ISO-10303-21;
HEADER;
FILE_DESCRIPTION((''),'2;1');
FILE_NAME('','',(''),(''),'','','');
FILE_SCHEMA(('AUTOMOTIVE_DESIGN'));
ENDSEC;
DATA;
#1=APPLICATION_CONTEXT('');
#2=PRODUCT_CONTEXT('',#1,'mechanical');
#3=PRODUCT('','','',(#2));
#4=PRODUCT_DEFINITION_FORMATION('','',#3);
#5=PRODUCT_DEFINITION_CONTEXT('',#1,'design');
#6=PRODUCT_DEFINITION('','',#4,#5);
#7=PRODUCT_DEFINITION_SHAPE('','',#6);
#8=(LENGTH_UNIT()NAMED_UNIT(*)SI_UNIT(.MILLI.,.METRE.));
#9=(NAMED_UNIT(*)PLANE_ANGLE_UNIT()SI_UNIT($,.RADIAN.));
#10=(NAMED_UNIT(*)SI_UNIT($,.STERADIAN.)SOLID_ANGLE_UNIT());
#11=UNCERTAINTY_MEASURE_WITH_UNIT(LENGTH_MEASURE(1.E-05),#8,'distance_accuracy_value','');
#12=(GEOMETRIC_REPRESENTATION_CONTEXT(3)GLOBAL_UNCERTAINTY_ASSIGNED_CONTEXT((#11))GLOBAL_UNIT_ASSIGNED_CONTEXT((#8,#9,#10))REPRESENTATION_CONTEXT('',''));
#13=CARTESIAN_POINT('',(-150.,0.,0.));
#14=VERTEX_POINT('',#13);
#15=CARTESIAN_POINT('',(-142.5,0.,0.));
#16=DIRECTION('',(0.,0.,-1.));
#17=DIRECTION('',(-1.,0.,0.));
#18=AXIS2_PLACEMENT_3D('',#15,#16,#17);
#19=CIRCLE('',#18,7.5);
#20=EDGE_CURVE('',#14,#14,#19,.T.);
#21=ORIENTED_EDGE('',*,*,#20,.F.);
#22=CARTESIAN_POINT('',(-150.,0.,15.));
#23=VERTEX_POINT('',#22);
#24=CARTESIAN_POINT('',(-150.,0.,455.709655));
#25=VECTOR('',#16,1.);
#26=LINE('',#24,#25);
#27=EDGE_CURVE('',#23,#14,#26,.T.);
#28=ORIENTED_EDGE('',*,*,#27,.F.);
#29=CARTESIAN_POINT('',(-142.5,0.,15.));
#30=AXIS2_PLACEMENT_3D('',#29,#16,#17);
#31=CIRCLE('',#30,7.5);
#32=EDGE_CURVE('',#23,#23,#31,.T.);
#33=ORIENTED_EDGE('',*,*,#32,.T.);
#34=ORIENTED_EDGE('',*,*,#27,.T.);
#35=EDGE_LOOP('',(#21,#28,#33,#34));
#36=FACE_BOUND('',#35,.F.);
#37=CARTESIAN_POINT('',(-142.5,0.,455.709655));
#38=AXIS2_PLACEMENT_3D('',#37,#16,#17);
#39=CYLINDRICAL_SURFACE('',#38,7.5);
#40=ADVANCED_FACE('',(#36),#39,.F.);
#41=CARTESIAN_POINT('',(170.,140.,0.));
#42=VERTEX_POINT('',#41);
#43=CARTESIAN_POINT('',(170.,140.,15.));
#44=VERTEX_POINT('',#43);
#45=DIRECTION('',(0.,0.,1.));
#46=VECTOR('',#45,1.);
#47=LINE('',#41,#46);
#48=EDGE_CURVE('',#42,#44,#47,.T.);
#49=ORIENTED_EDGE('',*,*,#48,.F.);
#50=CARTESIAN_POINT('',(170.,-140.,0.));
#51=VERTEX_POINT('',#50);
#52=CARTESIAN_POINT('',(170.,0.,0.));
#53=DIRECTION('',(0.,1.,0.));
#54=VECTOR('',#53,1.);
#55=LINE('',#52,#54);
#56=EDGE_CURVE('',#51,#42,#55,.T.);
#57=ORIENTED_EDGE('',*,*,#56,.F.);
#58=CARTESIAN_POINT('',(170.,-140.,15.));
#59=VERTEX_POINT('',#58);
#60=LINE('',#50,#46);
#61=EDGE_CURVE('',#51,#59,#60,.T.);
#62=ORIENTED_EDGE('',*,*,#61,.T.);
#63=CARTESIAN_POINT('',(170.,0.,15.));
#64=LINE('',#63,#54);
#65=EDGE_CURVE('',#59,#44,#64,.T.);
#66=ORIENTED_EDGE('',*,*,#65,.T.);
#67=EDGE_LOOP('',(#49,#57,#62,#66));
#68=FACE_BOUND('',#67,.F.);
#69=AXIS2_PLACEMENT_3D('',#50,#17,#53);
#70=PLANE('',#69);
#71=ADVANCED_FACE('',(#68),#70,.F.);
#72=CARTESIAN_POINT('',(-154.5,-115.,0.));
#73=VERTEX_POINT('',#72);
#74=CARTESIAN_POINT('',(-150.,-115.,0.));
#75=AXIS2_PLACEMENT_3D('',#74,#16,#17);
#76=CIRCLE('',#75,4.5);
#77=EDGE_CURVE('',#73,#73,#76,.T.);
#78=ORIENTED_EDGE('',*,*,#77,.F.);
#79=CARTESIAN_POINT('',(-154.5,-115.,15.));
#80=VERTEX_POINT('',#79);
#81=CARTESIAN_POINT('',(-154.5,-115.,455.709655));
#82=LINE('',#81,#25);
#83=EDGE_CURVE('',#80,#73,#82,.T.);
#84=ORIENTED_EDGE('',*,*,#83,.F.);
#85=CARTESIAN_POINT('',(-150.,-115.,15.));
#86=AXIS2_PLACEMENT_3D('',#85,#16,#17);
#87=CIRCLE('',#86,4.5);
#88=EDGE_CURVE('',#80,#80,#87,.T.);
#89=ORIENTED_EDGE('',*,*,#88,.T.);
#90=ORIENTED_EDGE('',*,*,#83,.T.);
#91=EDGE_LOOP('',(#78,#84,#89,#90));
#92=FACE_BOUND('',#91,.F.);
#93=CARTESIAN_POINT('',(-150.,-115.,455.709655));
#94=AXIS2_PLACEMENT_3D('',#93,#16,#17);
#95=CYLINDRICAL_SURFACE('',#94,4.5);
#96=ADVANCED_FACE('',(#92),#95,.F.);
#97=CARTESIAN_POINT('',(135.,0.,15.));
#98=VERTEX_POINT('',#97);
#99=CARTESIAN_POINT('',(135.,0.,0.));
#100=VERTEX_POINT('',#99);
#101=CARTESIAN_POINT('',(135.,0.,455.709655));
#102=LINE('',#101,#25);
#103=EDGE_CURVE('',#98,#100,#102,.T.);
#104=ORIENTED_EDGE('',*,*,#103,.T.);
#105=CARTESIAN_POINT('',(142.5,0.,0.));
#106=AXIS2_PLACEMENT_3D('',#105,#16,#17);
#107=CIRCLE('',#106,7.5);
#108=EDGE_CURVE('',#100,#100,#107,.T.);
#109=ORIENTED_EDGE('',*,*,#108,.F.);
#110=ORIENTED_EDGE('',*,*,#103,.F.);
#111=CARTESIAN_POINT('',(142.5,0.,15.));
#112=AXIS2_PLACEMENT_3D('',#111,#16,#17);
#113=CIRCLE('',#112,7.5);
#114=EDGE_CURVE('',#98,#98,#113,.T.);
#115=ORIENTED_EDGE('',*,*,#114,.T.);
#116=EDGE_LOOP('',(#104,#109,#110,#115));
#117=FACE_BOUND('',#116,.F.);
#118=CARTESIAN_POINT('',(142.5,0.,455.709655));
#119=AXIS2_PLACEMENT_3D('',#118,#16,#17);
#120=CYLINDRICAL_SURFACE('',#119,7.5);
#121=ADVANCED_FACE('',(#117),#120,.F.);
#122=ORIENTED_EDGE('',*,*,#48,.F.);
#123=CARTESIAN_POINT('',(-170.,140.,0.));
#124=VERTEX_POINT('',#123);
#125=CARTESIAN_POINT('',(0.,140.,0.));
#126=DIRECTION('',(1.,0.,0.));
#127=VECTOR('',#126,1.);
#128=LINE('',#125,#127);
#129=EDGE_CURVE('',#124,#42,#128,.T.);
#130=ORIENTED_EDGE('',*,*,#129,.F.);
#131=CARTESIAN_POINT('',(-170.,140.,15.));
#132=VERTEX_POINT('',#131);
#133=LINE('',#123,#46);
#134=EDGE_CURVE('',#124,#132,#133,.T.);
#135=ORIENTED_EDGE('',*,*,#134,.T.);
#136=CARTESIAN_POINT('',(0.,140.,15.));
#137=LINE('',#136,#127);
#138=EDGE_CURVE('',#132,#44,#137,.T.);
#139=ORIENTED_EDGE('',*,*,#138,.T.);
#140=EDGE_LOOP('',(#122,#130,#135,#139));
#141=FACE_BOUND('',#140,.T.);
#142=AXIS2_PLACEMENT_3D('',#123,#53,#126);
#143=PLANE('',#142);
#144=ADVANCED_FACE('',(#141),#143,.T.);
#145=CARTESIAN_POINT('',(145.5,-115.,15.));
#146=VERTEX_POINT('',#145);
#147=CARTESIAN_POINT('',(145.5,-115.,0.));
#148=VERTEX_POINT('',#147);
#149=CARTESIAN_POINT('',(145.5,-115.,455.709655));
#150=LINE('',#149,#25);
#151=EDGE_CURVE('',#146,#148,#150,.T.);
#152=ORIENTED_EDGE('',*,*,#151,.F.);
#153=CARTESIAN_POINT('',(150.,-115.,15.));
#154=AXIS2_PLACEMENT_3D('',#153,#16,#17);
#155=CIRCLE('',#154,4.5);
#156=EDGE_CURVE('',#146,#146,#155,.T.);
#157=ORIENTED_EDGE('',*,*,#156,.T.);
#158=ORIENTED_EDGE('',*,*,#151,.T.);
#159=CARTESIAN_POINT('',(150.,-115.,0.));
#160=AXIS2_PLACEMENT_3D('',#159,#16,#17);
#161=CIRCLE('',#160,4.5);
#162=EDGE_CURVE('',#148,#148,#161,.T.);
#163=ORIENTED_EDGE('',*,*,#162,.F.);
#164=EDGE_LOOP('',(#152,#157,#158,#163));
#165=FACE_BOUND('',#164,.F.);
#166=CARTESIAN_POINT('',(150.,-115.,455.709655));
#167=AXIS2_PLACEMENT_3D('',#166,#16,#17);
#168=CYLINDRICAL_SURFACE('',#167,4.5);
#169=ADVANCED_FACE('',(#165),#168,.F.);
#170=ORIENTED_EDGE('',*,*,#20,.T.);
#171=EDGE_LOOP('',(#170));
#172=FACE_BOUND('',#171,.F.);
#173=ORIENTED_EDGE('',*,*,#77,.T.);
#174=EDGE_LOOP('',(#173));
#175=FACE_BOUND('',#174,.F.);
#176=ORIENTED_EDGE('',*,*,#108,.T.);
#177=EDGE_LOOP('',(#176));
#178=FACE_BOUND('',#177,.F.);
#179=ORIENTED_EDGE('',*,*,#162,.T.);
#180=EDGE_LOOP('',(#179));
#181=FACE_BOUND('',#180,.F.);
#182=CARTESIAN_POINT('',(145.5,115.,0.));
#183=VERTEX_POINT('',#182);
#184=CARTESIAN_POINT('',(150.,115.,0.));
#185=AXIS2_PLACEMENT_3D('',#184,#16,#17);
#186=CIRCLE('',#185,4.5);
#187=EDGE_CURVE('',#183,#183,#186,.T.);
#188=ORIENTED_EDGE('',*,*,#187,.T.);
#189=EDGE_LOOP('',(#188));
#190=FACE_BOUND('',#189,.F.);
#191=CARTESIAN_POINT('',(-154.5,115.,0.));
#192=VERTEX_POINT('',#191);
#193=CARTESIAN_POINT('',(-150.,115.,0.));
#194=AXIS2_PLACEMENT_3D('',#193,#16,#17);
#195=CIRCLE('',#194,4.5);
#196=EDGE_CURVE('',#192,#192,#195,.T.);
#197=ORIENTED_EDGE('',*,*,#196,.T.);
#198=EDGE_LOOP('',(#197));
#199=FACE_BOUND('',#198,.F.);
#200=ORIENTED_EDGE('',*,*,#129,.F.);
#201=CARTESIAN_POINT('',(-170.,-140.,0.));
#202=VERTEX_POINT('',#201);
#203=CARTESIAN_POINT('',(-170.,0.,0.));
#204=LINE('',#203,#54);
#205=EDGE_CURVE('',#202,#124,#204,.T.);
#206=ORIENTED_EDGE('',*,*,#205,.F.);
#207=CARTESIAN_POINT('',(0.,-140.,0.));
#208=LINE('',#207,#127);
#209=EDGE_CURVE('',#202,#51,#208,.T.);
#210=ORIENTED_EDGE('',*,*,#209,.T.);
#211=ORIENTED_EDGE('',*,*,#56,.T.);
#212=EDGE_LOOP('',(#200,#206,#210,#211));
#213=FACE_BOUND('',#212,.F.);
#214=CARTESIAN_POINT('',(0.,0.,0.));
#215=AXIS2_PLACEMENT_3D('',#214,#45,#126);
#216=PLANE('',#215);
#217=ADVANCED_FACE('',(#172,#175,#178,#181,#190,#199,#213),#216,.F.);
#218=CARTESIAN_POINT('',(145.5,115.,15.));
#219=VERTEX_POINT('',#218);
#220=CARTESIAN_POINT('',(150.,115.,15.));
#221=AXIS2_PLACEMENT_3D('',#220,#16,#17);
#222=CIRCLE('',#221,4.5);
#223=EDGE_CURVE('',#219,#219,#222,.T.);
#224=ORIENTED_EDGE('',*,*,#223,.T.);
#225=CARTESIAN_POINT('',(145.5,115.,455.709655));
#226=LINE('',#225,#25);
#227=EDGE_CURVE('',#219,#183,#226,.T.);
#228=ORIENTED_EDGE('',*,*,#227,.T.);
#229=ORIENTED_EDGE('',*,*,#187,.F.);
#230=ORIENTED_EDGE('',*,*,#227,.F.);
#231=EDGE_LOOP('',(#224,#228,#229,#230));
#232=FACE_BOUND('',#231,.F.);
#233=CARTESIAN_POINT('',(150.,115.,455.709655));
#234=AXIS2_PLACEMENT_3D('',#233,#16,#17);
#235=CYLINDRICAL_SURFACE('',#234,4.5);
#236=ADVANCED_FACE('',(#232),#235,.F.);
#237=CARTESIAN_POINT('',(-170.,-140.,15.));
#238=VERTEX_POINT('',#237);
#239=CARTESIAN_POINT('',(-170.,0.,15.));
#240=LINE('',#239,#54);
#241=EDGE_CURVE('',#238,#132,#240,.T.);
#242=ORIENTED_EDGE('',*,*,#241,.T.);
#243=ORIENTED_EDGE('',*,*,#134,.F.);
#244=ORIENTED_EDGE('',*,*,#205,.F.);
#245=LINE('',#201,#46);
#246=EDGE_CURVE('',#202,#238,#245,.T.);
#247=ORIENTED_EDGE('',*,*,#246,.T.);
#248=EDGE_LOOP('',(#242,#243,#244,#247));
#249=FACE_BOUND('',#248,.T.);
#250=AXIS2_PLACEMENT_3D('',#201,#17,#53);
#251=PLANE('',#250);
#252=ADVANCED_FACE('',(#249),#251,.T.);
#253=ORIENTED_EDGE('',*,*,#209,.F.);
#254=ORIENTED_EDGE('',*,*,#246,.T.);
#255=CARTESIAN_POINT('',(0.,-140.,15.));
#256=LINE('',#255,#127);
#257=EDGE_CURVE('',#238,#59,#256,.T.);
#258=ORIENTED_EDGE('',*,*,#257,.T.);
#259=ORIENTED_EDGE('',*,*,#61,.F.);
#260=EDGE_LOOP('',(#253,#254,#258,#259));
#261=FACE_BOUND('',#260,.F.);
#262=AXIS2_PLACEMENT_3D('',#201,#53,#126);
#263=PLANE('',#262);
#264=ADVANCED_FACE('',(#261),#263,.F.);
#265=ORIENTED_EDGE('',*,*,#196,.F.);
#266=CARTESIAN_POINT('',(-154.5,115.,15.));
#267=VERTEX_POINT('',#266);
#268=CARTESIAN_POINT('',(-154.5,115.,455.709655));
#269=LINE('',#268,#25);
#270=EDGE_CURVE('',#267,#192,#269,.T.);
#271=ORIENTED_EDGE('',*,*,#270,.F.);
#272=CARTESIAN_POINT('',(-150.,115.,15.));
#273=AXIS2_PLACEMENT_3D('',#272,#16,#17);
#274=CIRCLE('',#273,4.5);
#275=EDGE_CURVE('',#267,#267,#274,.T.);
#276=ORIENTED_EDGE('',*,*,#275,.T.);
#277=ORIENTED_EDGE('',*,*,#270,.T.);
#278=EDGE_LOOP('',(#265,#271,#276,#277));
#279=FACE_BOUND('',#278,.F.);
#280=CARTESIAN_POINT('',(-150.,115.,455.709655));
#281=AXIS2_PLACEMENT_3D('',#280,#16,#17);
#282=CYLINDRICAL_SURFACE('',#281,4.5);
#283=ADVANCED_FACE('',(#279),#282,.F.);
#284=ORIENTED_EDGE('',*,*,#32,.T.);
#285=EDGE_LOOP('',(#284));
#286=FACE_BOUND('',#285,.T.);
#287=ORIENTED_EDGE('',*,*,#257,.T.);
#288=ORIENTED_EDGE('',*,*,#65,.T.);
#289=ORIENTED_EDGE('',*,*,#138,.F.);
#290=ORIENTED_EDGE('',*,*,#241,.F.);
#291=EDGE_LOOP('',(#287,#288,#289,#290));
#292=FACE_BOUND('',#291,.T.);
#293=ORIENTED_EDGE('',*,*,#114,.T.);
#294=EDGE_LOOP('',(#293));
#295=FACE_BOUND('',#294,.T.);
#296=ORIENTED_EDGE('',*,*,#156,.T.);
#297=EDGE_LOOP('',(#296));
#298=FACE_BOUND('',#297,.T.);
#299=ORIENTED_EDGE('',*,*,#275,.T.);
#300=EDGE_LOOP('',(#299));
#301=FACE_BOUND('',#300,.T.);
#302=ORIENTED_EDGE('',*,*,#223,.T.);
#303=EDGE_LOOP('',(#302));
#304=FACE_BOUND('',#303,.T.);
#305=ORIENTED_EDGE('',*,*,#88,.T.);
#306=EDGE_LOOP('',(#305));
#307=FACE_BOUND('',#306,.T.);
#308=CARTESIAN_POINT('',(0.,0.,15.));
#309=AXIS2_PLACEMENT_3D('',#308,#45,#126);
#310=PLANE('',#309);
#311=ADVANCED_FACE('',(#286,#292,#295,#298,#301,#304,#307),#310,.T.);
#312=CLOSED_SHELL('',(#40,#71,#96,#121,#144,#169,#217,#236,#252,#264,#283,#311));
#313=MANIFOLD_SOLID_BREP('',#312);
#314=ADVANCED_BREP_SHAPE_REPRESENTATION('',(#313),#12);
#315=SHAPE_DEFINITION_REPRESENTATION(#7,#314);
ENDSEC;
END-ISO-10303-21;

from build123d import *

# Parameters (mm, degrees)
F0_W     = 340
F0_H     = 280
F1_DEPTH = 15
F3_D     = 9
F4_D     = 15


with BuildPart() as f1:
    # F0 (on Top) → F1 (new body)
    with BuildSketch(Plane.XY):
        Rectangle(F0_W, F0_H)
    extrude(amount=F1_DEPTH)

    # F3 (through all)
    with Locations(Plane.XY.offset(15)):
        with Locations((-150, 115), (-150, -115), (150, -115), (150, 115)):
            Hole(F3_D / 2)

    # F4 (through all)
    with Locations(Plane.XY.offset(15)):
        with Locations((142.5, 0), (-142.5, 0)):
            Hole(F4_D / 2)


solid = f1.part
